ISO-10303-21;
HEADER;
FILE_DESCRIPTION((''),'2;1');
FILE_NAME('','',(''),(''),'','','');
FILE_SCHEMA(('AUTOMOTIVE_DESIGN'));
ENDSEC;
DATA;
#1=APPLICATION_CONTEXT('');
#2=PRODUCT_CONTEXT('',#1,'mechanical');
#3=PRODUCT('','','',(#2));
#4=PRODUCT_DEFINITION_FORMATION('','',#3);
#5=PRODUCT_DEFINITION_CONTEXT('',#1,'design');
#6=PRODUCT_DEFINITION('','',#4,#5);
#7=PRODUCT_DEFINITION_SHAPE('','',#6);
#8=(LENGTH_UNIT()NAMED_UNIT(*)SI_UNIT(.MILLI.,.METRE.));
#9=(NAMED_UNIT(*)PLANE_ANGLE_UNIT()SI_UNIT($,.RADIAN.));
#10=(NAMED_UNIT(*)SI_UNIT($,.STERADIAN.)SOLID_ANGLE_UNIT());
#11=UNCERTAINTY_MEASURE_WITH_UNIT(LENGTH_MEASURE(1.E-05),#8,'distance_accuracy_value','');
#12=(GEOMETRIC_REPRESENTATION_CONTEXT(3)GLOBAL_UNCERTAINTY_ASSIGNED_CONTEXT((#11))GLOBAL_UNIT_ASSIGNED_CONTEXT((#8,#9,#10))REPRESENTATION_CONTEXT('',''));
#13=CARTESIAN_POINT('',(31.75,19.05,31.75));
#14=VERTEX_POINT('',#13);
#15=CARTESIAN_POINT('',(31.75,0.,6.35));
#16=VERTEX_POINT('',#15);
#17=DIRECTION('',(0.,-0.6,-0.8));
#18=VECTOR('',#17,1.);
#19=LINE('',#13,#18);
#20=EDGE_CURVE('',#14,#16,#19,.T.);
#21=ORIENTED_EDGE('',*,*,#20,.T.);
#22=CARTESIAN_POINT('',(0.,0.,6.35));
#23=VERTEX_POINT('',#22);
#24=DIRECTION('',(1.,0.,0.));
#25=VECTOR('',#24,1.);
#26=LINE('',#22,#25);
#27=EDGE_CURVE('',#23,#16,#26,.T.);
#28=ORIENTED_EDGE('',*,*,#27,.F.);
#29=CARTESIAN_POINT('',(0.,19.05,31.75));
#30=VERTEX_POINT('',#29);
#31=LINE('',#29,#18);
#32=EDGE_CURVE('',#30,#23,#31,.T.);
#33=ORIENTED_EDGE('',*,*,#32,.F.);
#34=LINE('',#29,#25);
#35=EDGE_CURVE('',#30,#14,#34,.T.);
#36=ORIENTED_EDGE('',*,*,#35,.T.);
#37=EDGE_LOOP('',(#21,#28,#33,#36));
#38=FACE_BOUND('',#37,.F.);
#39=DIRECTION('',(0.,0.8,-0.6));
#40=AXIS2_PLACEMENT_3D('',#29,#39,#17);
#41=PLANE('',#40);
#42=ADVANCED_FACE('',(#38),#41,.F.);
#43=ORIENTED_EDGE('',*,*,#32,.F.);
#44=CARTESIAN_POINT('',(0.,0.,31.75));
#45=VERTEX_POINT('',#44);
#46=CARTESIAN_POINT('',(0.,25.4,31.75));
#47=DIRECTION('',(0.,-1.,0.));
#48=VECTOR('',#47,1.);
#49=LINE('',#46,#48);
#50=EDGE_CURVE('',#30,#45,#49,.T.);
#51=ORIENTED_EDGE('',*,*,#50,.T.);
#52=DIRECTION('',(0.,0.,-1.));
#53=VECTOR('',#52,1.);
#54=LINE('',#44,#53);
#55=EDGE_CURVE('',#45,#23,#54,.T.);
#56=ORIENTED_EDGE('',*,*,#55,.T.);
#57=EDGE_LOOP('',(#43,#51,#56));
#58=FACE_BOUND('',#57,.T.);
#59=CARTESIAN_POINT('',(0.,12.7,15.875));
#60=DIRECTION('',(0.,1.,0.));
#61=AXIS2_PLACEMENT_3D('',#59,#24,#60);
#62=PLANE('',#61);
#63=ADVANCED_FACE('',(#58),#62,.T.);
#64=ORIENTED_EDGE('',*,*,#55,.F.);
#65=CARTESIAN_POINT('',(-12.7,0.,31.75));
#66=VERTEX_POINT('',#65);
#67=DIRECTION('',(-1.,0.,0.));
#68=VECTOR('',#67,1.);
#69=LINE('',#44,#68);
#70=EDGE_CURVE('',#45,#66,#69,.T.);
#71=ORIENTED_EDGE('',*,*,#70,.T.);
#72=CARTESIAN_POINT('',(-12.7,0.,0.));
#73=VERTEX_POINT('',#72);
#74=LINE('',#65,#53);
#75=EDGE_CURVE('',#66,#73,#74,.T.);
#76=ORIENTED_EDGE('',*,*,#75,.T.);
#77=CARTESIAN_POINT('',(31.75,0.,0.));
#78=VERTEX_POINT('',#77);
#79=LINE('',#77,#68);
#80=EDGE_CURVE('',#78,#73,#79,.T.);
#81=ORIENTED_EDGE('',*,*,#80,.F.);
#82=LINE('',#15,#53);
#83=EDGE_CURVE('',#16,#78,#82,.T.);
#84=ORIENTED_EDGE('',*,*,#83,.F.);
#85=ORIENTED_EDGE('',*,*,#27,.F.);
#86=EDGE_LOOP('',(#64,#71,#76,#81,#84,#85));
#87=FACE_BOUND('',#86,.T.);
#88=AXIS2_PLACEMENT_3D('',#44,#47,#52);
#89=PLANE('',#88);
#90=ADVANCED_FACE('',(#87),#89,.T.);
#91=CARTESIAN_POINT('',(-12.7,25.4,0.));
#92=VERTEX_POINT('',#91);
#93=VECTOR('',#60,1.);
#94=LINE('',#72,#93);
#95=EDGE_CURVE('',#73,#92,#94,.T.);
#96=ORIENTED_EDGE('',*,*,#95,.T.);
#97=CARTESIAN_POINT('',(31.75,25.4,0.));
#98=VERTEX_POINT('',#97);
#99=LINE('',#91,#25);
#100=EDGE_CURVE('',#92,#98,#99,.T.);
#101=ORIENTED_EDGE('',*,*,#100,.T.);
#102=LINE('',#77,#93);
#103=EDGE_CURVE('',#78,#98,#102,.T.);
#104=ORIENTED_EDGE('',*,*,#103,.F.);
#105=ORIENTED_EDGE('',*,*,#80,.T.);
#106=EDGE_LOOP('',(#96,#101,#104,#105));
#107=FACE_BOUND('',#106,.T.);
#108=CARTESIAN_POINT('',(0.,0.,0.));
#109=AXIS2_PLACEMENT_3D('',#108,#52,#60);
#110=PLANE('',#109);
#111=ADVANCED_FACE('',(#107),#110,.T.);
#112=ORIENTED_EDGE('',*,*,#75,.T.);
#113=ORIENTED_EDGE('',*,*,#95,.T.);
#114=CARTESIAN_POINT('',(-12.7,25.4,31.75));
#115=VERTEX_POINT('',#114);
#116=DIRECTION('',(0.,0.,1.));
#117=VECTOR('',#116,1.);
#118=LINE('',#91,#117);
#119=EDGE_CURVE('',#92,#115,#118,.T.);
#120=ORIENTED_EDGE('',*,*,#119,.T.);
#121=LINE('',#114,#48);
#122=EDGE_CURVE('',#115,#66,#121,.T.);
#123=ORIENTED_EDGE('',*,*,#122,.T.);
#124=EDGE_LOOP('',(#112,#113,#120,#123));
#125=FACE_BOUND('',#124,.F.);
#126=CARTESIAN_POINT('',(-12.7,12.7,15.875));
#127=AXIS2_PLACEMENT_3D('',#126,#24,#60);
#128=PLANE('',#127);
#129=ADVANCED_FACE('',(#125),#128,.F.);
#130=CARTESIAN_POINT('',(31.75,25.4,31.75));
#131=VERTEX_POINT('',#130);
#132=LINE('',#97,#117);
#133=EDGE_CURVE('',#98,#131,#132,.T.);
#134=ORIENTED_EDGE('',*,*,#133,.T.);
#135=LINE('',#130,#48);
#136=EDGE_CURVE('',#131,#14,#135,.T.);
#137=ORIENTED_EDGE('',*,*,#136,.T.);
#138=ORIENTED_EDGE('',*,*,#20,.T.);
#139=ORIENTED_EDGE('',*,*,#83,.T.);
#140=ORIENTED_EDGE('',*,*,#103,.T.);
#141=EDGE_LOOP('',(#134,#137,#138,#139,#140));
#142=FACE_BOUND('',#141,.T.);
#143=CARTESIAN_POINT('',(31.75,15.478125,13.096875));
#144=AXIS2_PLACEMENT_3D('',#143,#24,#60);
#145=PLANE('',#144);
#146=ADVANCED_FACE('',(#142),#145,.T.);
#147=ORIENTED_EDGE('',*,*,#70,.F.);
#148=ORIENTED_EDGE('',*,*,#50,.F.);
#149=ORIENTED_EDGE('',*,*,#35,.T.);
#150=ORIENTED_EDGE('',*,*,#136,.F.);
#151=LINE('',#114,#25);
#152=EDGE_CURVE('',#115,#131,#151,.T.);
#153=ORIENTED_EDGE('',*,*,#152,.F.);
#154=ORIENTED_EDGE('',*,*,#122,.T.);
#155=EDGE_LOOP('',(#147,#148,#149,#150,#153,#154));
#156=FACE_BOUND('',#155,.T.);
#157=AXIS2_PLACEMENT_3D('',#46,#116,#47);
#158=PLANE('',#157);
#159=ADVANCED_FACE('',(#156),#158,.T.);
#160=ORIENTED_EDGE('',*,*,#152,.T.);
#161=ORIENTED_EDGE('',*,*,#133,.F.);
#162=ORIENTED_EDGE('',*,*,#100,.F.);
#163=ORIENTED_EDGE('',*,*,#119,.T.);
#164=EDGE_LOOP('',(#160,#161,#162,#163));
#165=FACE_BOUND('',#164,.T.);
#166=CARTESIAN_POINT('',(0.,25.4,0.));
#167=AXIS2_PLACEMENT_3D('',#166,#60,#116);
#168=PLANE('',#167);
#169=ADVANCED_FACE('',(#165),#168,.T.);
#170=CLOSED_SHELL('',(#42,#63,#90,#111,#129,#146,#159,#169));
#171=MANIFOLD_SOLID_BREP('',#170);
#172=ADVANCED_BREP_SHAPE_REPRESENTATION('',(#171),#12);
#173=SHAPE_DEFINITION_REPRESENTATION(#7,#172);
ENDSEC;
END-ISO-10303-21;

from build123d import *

# Parameters (mm, degrees)
F1_DEPTH = 31.75
F3_DEPTH = 12.7


with BuildPart() as f1:
    # F0 (on Right) → F1 (new body)
    with BuildSketch(Plane.YZ):
        Polygon((0, 6.35), (0, 0), (25.4, 0), (25.4, 31.75), (19.05, 31.75), align=None)
    extrude(amount=F1_DEPTH)

    # F2 (on Right) → F3 (join)
    with BuildSketch(Plane.YZ):
        Polygon((0, 0), (25.4, 0), (25.4, 31.75), (17.971699, 31.75), (0, 31.75), align=None)
    extrude(amount=-F3_DEPTH)


solid = f1.part
